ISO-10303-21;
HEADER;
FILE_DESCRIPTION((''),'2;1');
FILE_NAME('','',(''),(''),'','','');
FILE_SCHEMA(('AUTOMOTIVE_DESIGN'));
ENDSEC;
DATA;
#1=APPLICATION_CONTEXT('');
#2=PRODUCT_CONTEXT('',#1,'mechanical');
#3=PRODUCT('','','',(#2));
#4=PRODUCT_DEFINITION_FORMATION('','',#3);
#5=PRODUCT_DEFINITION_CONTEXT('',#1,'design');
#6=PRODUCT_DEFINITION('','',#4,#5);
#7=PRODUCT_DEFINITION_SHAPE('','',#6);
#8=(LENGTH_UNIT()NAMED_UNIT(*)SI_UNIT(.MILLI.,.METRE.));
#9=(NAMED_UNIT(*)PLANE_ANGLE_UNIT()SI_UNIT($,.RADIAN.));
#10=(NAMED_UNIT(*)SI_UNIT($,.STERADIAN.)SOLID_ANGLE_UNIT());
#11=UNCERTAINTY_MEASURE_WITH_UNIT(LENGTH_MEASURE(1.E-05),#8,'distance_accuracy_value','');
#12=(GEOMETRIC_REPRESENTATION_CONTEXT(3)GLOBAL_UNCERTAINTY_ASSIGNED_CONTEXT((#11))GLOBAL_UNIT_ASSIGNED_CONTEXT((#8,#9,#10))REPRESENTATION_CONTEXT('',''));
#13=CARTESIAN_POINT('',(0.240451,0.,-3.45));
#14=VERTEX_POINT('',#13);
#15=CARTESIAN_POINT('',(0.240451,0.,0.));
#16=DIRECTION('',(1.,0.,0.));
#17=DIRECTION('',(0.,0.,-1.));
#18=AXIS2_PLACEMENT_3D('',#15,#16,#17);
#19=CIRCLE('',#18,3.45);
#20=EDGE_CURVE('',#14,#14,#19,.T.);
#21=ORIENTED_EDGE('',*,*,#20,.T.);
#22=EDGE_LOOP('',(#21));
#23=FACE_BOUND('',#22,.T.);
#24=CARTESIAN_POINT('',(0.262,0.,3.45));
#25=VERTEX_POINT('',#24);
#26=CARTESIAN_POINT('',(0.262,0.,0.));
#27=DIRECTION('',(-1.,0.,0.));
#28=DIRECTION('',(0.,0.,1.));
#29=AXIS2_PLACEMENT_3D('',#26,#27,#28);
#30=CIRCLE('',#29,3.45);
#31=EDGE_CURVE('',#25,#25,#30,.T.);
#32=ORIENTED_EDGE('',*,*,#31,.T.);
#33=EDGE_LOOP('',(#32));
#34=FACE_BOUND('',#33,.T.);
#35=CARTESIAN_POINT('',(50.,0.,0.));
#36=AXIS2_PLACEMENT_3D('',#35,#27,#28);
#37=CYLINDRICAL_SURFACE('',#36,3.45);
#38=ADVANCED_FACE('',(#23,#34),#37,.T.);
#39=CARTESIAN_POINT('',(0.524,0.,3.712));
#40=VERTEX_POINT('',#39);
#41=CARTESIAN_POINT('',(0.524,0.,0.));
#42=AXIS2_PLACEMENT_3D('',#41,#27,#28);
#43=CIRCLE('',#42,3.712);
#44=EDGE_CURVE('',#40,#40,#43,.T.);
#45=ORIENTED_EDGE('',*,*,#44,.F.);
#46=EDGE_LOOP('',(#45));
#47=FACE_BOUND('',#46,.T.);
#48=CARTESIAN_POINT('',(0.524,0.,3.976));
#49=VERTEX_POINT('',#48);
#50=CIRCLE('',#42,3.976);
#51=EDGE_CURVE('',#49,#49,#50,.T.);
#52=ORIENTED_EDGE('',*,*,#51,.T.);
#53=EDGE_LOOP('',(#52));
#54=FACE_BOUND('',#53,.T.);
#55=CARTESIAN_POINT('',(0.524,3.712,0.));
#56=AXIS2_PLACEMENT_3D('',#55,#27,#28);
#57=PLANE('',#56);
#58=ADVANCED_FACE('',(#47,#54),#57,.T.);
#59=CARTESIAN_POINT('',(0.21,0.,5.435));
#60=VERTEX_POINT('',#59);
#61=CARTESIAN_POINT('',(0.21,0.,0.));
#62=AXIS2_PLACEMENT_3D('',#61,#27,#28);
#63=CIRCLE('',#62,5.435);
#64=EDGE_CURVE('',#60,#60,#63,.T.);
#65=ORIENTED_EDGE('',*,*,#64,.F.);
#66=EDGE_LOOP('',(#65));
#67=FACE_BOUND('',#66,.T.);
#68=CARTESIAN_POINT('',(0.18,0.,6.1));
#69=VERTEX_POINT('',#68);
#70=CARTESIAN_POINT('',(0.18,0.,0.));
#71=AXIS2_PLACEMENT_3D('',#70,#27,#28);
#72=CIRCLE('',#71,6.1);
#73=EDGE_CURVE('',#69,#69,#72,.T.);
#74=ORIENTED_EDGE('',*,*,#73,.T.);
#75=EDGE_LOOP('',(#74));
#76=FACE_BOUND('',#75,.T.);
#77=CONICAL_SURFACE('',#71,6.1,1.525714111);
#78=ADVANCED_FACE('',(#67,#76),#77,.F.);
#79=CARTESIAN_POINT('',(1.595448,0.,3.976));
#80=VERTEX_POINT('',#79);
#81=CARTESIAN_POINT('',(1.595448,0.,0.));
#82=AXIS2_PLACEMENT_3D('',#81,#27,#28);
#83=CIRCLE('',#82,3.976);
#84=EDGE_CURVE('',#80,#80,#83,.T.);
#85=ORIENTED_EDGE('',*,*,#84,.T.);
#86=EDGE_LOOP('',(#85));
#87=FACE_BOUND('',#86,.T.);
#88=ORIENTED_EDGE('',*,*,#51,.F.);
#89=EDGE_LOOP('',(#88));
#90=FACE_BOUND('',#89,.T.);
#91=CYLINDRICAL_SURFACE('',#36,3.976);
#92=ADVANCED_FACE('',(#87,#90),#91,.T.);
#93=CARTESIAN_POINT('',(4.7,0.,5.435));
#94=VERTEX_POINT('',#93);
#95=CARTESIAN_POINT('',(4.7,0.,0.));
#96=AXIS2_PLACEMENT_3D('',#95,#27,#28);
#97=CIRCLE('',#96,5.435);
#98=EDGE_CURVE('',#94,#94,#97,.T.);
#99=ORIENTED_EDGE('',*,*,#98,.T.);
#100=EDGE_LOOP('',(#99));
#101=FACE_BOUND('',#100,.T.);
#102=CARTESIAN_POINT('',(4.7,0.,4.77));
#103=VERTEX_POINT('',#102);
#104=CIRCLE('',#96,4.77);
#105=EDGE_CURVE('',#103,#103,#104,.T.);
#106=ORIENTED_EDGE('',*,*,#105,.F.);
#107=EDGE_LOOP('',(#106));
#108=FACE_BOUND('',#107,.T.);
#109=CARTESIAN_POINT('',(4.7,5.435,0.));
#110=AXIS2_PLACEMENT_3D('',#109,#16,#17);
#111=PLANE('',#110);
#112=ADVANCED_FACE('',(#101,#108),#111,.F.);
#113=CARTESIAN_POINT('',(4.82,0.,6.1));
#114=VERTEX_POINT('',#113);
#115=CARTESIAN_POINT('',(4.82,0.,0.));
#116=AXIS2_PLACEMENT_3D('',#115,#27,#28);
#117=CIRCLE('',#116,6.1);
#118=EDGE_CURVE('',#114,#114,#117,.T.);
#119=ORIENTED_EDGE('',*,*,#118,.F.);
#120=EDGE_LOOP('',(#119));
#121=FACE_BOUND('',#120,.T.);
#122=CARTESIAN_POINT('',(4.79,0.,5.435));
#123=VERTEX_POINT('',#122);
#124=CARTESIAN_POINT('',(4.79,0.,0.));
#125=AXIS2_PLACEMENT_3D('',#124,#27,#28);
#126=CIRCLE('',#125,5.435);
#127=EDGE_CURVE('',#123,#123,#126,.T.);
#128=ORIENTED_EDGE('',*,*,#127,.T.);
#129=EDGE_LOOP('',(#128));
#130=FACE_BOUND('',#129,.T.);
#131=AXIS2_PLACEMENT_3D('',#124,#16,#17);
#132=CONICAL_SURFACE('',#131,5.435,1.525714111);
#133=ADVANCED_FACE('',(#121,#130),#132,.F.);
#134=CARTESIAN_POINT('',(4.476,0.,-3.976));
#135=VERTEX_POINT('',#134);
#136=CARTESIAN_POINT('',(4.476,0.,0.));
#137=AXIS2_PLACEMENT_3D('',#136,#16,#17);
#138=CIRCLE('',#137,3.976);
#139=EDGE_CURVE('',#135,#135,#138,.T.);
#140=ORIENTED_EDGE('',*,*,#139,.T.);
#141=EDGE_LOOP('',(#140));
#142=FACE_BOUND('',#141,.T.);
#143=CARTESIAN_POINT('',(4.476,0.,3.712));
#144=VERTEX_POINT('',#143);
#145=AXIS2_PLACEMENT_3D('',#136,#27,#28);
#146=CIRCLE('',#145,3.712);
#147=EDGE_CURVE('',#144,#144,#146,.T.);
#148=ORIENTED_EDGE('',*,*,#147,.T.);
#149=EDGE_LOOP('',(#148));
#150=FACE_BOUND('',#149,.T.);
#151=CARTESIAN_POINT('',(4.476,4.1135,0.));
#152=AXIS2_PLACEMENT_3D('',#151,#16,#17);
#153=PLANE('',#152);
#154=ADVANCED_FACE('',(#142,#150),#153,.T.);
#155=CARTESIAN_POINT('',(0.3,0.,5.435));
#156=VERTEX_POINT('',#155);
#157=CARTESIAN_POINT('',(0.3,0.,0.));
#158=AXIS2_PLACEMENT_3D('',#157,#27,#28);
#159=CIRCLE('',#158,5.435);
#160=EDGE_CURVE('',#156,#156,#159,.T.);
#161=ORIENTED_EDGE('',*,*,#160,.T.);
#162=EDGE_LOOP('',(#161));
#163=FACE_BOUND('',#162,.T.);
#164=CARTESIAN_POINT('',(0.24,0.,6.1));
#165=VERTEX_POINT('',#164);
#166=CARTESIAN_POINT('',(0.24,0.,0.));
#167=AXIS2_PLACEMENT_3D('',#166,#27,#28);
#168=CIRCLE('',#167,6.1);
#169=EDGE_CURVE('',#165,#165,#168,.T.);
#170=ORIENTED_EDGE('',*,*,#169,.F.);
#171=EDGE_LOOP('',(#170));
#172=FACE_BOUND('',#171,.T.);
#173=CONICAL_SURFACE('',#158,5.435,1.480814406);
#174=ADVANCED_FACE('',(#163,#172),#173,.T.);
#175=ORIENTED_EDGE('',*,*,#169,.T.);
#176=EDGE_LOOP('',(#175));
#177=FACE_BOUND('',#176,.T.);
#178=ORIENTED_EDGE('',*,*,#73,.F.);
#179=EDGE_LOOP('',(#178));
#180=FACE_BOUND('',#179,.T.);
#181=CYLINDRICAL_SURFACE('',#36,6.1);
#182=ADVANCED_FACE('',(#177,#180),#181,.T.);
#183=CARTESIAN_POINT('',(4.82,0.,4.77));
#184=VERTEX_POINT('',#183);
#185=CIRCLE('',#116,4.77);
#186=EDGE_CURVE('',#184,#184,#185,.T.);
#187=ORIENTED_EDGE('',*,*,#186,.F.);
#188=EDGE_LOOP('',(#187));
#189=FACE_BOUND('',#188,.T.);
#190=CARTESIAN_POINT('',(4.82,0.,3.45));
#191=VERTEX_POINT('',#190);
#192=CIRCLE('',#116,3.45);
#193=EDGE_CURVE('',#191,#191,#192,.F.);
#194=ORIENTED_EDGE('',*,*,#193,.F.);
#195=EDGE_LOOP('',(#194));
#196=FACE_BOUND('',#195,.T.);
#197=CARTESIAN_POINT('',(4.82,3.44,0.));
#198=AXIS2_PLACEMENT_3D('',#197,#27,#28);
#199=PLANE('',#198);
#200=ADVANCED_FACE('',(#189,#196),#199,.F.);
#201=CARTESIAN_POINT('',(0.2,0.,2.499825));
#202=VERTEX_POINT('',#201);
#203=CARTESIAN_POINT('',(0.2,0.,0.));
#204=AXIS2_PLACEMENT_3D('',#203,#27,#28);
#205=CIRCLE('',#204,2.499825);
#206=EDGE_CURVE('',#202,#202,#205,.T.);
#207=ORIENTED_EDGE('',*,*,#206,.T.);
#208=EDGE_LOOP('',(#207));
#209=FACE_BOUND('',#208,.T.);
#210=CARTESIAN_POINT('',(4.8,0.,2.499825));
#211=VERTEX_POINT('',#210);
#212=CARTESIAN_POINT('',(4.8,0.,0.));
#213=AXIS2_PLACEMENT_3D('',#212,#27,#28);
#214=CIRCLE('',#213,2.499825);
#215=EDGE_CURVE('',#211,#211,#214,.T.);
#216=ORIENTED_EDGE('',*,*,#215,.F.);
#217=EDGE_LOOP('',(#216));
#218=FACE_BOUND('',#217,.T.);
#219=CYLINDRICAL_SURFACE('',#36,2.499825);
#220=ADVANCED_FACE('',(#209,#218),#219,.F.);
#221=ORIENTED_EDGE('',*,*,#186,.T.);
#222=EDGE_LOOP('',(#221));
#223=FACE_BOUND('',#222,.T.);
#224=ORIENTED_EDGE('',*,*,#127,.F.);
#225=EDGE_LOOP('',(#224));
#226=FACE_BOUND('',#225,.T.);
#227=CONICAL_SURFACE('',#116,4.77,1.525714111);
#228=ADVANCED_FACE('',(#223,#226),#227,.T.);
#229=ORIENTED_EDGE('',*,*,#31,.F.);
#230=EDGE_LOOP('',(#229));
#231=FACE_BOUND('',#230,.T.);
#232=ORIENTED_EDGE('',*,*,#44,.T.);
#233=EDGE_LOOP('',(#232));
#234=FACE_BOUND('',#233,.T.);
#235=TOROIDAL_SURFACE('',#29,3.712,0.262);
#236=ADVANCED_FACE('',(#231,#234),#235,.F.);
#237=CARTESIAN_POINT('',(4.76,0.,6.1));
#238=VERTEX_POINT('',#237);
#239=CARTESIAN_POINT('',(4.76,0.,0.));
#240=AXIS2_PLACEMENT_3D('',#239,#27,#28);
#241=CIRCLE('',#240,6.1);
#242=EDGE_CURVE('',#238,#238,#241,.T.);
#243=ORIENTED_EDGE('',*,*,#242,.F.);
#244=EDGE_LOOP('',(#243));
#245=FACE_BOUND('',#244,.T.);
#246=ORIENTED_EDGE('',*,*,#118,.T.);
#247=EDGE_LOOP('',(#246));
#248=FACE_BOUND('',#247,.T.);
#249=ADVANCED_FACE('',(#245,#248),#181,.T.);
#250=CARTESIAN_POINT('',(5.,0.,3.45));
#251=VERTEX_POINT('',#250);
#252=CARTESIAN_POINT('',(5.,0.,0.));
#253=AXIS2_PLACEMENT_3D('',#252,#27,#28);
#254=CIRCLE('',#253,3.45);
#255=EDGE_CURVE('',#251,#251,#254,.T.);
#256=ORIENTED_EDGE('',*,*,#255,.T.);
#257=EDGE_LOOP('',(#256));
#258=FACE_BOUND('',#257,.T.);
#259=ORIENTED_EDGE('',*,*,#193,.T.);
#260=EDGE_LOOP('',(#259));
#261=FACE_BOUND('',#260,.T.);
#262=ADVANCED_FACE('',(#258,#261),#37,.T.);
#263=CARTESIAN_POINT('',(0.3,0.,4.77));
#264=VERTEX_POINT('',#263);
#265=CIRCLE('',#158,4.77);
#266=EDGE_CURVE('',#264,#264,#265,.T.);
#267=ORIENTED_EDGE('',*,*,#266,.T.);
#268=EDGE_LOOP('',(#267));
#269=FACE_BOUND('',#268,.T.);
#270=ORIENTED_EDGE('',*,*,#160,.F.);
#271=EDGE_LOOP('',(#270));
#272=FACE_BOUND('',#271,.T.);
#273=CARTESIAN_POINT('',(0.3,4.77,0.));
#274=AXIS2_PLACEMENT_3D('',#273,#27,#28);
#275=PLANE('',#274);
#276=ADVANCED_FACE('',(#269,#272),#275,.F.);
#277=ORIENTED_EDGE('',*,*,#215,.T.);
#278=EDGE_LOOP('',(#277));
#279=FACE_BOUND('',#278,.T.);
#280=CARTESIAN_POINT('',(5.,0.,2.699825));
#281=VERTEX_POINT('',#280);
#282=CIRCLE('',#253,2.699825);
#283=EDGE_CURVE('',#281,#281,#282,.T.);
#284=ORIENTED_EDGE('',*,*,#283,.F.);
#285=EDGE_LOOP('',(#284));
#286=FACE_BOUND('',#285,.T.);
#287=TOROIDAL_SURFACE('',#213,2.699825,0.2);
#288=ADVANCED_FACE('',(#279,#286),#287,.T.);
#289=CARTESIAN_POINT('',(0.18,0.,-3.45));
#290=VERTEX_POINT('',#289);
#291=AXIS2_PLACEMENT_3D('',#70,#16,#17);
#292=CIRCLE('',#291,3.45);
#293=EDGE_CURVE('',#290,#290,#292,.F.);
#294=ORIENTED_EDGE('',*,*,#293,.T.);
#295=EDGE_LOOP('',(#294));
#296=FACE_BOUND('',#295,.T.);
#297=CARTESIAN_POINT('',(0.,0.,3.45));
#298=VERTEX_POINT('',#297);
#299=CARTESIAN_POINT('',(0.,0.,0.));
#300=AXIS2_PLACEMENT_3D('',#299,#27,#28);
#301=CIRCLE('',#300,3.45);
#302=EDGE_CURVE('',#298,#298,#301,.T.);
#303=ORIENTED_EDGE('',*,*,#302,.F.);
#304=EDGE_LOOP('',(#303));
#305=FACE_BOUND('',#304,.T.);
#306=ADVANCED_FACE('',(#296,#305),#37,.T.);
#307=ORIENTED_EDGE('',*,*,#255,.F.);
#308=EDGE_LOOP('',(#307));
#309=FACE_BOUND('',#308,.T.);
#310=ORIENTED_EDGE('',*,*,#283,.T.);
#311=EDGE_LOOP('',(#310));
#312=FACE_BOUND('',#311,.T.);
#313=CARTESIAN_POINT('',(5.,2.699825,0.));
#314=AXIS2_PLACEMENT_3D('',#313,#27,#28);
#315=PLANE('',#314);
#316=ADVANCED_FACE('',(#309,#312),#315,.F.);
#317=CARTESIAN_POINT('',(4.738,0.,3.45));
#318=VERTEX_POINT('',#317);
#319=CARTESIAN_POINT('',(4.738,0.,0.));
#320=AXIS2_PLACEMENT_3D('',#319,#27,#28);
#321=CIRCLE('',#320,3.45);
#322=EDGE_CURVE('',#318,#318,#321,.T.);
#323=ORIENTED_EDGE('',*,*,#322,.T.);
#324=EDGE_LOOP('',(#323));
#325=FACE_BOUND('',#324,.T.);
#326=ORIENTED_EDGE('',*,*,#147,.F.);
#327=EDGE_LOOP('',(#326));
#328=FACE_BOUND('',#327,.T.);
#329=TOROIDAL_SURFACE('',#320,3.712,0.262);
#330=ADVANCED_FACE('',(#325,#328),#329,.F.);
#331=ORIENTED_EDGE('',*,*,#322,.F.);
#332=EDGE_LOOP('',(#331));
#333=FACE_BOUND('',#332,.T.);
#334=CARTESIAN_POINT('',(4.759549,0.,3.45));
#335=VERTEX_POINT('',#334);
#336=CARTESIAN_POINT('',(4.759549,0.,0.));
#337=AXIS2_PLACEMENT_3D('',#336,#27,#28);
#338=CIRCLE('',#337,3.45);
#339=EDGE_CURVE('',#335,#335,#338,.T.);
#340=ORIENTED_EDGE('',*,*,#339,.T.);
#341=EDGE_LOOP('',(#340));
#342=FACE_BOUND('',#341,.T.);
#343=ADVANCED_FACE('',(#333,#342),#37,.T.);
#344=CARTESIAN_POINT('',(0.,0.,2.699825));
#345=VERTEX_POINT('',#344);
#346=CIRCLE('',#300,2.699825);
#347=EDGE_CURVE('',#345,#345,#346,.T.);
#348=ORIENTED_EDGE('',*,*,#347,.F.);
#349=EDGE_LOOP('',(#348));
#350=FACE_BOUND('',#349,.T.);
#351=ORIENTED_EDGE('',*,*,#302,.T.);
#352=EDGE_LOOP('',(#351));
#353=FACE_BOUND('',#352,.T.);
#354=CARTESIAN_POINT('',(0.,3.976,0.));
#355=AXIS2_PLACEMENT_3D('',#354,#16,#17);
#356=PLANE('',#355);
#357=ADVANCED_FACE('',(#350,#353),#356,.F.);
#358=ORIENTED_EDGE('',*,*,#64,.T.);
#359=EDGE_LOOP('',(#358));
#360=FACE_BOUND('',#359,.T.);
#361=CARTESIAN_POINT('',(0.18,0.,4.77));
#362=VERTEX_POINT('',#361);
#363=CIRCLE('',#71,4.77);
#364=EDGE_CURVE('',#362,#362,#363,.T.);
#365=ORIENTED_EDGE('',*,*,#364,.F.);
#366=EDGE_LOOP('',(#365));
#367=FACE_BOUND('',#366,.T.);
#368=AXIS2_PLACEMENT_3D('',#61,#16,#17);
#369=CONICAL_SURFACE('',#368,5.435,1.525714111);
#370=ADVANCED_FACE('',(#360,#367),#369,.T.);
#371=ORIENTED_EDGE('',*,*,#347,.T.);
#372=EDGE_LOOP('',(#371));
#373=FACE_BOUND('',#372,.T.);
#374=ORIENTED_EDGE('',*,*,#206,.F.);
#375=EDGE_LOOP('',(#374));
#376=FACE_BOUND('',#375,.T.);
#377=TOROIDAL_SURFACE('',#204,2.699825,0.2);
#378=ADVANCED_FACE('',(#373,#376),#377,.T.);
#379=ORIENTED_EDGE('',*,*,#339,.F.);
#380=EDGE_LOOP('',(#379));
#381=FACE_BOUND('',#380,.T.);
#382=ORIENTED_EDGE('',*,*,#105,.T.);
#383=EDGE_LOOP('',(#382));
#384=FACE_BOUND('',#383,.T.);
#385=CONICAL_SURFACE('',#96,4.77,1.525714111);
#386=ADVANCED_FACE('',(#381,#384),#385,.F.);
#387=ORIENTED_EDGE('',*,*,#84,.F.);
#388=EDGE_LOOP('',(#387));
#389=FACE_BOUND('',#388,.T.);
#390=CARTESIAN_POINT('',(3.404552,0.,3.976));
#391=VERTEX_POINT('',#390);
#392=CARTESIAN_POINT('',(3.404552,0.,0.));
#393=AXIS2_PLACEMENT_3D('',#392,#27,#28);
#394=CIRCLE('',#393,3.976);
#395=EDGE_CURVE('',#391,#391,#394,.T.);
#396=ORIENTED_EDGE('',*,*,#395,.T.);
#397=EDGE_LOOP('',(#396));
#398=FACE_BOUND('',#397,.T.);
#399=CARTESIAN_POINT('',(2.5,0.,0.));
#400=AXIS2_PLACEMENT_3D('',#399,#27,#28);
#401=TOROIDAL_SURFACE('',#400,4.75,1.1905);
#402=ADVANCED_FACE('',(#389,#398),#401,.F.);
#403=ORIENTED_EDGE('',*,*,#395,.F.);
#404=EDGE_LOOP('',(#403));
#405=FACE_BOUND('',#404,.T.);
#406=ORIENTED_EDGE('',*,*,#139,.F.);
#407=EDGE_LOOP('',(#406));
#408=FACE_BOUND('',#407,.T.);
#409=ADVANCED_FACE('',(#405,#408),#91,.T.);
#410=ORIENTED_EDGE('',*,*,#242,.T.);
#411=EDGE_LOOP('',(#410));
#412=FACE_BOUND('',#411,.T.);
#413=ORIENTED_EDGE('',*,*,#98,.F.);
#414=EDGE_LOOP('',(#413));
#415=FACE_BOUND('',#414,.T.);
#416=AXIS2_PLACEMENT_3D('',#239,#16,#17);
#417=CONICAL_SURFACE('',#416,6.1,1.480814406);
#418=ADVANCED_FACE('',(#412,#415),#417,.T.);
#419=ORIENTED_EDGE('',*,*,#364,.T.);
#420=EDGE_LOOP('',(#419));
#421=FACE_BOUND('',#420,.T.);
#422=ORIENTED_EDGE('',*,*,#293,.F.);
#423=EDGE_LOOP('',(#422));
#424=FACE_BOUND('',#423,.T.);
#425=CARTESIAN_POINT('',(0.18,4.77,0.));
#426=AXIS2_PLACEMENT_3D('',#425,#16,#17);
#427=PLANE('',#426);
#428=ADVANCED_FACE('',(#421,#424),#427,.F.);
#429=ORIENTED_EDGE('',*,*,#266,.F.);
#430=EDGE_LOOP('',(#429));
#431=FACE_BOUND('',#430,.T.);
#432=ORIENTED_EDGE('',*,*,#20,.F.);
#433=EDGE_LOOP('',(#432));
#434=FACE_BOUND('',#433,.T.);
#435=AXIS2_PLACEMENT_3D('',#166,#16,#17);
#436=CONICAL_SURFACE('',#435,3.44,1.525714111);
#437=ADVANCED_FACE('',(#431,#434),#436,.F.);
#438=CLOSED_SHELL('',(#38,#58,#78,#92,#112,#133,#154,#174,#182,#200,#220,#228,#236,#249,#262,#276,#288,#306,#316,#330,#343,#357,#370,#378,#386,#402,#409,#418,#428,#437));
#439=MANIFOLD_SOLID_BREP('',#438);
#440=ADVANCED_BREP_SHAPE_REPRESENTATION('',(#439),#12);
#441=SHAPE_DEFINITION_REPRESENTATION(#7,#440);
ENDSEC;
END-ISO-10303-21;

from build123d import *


with BuildPart() as part:
    # Sketch1 → Revolve1 (revolve)
    with BuildSketch(Plane.XY, mode=Mode.PRIVATE) as revolve1_sk:
        with BuildLine():
            Line((0.2, 2.499825), (4.8, 2.499825))
            ThreePointArc((4.8, 2.499825), (4.941421356, 2.558403644), (5, 2.699825))
            Line((5, 2.699825), (5, 3.976))
            Line((5, 3.976), (3.404551961, 3.976))
            ThreePointArc((3.404551961, 3.976), (2.5, 3.5595), (1.595448039, 3.976))
            Line((1.595448039, 3.976), (0, 3.976))
            Line((0, 3.976), (0, 2.699825))
            ThreePointArc((0, 2.699825), (0.058578644, 2.558403644), (0.2, 2.499825))
        make_face()
    revolve(revolve1_sk.sketch.rotate(Axis((50, 0, 0), (-1, 0, 0)), 270), axis=Axis((50, 0, 0), (-1, 0, 0)))

    # Sketch2 → Cut-Revolve1 (revolve, cut)
    with BuildSketch(Plane.XY, mode=Mode.PRIVATE) as cut_revolve1_sk:
        with BuildLine():
            Line((0, 4.6375), (0, 3.45))
            Line((0, 3.45), (0.262, 3.45))
            ThreePointArc((0.262, 3.45), (0.447261977, 3.526738023), (0.524, 3.712))
            Line((0.524, 3.712), (0.524, 4.1135))
            Line((0.524, 4.1135), (4.476, 4.1135))
            Line((4.476, 4.1135), (4.476, 3.712))
            ThreePointArc((4.476, 3.712), (4.552738023, 3.526738023), (4.738, 3.45))
            Line((4.738, 3.45), (5, 3.45))
            Line((5, 3.45), (5, 4.6375))
            Line((5, 4.6375), (0, 4.6375))
        make_face()
    revolve(cut_revolve1_sk.sketch.rotate(Axis((50, 0, 0), (-1, 0, 0)), 270), axis=Axis((50, 0, 0), (-1, 0, 0)), mode=Mode.SUBTRACT)

    # Sketch3 → Revolve2 (revolve)
    with BuildSketch(Plane.XY, mode=Mode.PRIVATE) as revolve2_sk:
        Polygon((0.18, 6.1), (0.21, 5.435), (0.18, 4.77), (0.18, 3.44), (0.24, 3.44), (0.3, 4.77), (0.3, 5.435), (0.24, 6.1), align=None)
    revolve(revolve2_sk.sketch.rotate(Axis((50, 0, 0), (-1, 0, 0)), 270), axis=Axis((50, 0, 0), (-1, 0, 0)))

    # Sketch4 → Revolve3 (revolve)
    with BuildSketch(Plane.XY, mode=Mode.PRIVATE) as revolve3_sk:
        Polygon((4.7, 5.435), (4.7, 4.77), (4.76, 3.44), (4.82, 3.44), (4.82, 4.77), (4.79, 5.435), (4.82, 6.1), (4.76, 6.1), align=None)
    revolve(revolve3_sk.sketch.rotate(Axis((50, 0, 0), (-1, 0, 0)), 270), axis=Axis((50, 0, 0), (-1, 0, 0)))


solid = part.part
